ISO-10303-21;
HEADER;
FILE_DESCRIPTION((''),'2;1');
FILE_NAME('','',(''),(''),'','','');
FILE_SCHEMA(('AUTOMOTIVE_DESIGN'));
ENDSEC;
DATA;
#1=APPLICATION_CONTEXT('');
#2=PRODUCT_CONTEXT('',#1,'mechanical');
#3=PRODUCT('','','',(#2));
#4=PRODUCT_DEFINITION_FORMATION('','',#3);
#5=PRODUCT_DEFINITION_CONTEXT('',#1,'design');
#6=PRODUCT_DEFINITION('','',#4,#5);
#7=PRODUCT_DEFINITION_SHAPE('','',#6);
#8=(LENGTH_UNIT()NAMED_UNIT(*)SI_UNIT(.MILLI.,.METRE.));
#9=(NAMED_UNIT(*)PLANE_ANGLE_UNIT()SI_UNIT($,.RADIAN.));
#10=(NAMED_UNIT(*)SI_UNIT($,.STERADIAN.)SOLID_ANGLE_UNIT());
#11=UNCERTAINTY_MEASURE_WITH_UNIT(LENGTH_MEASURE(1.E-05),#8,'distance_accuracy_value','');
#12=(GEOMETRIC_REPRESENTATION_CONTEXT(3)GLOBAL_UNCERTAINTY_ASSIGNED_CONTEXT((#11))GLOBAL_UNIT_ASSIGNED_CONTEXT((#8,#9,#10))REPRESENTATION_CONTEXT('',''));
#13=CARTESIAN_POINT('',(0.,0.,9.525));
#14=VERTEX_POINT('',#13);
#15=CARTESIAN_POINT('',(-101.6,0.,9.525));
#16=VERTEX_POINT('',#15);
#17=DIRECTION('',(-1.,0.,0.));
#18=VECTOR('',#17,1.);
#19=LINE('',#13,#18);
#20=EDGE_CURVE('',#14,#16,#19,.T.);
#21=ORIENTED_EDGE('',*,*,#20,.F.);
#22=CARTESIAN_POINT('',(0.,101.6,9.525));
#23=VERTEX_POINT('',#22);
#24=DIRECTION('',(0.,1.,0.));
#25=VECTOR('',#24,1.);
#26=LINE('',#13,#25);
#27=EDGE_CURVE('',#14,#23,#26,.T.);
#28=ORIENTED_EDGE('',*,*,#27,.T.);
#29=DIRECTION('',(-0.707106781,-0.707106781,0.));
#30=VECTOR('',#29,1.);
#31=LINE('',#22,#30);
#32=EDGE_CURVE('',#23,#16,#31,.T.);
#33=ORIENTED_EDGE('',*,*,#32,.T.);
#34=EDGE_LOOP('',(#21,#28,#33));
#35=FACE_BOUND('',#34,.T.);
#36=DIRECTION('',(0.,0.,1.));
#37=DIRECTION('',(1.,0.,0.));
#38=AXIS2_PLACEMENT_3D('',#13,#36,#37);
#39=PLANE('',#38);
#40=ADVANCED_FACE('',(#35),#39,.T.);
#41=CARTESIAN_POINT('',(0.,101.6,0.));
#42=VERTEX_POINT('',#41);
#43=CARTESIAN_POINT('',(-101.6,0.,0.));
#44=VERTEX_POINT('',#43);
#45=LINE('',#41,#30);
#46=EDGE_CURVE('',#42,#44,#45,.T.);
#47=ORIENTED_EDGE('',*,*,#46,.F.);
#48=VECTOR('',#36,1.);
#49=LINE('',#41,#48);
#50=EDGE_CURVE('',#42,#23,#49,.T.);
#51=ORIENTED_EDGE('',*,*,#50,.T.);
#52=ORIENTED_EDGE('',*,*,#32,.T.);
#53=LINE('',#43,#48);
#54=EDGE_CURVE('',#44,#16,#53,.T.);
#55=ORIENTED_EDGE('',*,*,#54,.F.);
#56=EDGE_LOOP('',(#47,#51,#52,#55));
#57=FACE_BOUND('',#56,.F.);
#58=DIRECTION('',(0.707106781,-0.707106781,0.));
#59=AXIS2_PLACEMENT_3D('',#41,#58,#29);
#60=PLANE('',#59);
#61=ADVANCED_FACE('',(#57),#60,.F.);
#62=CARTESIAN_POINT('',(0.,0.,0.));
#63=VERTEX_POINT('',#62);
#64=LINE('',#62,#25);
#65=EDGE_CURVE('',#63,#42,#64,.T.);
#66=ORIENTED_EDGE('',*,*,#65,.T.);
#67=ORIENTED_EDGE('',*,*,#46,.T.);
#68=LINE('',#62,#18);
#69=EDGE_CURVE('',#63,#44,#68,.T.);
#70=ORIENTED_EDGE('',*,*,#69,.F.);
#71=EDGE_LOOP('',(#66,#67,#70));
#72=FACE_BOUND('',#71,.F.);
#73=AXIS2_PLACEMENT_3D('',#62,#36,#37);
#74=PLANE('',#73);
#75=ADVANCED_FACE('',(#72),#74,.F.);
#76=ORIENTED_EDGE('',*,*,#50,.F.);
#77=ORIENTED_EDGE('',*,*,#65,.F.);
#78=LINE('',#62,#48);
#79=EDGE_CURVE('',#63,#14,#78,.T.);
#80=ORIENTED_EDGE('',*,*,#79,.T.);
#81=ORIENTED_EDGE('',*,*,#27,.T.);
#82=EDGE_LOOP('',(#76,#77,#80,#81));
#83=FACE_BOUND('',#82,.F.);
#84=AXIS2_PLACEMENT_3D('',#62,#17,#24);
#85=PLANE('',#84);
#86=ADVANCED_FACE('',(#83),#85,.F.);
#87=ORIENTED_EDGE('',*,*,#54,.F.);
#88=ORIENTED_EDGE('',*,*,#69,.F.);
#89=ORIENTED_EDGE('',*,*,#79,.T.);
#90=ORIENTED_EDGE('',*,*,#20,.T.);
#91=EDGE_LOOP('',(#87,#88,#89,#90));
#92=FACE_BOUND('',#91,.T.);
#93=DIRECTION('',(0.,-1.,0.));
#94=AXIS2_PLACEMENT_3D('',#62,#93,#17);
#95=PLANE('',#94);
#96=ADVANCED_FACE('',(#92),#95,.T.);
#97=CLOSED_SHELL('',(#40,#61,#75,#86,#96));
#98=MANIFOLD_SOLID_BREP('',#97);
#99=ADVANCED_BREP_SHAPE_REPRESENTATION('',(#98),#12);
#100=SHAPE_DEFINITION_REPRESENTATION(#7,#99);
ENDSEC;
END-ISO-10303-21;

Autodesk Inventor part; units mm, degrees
ref_plane "YZ Plane" through (0, 0, 0) normal (1, 0, 0) x (0, 1, 0)
ref_plane "XZ Plane" through (0, 0, 0) normal (0, 1, 0) x (-1, 0, 0)
ref_plane "XY Plane" through (0, 0, 0) normal (0, 0, 1) x (1, 0, 0)
sketch "Sketch1" plane through (0, 0, 0) normal (0, 0, 1) x (1, 0, 0)
  line L0 (0, 0) -> (-101.6, 0)
  line L1 (0, 0) -> (0, 101.6)
  line L2 (0, 101.6) -> (-101.6, 0)
  dimension "d29" = 101.6
  dimension "d30" = 101.6
extrude "Plate1" add sketch "Sketch1" along normal blind 9.525
equation "\"d30\" = d29"
equation "\"d15\" = Thickness"
equation "\"BendReliefWidth\" = Thickness"
equation "\"BendReliefDepth\" = 0.5 * Thickness"
equation "\"CornerReliefSize\" = 4 * Thickness"
equation "\"MinimumRemnant\" = 2 * Thickness"
equation "\"TransitionRadius\" = BendRadius"
equation "\"JacobiRadiusSize\" = Thickness"
equation "\"GapSize\" = Thickness"
equation "\"Thickness\" = 9.525"
equation "\"BendRadius\" = 13.208"
properties part number "Front Hitch Model-2_Sheet Stifferner-1" material "SS304"
